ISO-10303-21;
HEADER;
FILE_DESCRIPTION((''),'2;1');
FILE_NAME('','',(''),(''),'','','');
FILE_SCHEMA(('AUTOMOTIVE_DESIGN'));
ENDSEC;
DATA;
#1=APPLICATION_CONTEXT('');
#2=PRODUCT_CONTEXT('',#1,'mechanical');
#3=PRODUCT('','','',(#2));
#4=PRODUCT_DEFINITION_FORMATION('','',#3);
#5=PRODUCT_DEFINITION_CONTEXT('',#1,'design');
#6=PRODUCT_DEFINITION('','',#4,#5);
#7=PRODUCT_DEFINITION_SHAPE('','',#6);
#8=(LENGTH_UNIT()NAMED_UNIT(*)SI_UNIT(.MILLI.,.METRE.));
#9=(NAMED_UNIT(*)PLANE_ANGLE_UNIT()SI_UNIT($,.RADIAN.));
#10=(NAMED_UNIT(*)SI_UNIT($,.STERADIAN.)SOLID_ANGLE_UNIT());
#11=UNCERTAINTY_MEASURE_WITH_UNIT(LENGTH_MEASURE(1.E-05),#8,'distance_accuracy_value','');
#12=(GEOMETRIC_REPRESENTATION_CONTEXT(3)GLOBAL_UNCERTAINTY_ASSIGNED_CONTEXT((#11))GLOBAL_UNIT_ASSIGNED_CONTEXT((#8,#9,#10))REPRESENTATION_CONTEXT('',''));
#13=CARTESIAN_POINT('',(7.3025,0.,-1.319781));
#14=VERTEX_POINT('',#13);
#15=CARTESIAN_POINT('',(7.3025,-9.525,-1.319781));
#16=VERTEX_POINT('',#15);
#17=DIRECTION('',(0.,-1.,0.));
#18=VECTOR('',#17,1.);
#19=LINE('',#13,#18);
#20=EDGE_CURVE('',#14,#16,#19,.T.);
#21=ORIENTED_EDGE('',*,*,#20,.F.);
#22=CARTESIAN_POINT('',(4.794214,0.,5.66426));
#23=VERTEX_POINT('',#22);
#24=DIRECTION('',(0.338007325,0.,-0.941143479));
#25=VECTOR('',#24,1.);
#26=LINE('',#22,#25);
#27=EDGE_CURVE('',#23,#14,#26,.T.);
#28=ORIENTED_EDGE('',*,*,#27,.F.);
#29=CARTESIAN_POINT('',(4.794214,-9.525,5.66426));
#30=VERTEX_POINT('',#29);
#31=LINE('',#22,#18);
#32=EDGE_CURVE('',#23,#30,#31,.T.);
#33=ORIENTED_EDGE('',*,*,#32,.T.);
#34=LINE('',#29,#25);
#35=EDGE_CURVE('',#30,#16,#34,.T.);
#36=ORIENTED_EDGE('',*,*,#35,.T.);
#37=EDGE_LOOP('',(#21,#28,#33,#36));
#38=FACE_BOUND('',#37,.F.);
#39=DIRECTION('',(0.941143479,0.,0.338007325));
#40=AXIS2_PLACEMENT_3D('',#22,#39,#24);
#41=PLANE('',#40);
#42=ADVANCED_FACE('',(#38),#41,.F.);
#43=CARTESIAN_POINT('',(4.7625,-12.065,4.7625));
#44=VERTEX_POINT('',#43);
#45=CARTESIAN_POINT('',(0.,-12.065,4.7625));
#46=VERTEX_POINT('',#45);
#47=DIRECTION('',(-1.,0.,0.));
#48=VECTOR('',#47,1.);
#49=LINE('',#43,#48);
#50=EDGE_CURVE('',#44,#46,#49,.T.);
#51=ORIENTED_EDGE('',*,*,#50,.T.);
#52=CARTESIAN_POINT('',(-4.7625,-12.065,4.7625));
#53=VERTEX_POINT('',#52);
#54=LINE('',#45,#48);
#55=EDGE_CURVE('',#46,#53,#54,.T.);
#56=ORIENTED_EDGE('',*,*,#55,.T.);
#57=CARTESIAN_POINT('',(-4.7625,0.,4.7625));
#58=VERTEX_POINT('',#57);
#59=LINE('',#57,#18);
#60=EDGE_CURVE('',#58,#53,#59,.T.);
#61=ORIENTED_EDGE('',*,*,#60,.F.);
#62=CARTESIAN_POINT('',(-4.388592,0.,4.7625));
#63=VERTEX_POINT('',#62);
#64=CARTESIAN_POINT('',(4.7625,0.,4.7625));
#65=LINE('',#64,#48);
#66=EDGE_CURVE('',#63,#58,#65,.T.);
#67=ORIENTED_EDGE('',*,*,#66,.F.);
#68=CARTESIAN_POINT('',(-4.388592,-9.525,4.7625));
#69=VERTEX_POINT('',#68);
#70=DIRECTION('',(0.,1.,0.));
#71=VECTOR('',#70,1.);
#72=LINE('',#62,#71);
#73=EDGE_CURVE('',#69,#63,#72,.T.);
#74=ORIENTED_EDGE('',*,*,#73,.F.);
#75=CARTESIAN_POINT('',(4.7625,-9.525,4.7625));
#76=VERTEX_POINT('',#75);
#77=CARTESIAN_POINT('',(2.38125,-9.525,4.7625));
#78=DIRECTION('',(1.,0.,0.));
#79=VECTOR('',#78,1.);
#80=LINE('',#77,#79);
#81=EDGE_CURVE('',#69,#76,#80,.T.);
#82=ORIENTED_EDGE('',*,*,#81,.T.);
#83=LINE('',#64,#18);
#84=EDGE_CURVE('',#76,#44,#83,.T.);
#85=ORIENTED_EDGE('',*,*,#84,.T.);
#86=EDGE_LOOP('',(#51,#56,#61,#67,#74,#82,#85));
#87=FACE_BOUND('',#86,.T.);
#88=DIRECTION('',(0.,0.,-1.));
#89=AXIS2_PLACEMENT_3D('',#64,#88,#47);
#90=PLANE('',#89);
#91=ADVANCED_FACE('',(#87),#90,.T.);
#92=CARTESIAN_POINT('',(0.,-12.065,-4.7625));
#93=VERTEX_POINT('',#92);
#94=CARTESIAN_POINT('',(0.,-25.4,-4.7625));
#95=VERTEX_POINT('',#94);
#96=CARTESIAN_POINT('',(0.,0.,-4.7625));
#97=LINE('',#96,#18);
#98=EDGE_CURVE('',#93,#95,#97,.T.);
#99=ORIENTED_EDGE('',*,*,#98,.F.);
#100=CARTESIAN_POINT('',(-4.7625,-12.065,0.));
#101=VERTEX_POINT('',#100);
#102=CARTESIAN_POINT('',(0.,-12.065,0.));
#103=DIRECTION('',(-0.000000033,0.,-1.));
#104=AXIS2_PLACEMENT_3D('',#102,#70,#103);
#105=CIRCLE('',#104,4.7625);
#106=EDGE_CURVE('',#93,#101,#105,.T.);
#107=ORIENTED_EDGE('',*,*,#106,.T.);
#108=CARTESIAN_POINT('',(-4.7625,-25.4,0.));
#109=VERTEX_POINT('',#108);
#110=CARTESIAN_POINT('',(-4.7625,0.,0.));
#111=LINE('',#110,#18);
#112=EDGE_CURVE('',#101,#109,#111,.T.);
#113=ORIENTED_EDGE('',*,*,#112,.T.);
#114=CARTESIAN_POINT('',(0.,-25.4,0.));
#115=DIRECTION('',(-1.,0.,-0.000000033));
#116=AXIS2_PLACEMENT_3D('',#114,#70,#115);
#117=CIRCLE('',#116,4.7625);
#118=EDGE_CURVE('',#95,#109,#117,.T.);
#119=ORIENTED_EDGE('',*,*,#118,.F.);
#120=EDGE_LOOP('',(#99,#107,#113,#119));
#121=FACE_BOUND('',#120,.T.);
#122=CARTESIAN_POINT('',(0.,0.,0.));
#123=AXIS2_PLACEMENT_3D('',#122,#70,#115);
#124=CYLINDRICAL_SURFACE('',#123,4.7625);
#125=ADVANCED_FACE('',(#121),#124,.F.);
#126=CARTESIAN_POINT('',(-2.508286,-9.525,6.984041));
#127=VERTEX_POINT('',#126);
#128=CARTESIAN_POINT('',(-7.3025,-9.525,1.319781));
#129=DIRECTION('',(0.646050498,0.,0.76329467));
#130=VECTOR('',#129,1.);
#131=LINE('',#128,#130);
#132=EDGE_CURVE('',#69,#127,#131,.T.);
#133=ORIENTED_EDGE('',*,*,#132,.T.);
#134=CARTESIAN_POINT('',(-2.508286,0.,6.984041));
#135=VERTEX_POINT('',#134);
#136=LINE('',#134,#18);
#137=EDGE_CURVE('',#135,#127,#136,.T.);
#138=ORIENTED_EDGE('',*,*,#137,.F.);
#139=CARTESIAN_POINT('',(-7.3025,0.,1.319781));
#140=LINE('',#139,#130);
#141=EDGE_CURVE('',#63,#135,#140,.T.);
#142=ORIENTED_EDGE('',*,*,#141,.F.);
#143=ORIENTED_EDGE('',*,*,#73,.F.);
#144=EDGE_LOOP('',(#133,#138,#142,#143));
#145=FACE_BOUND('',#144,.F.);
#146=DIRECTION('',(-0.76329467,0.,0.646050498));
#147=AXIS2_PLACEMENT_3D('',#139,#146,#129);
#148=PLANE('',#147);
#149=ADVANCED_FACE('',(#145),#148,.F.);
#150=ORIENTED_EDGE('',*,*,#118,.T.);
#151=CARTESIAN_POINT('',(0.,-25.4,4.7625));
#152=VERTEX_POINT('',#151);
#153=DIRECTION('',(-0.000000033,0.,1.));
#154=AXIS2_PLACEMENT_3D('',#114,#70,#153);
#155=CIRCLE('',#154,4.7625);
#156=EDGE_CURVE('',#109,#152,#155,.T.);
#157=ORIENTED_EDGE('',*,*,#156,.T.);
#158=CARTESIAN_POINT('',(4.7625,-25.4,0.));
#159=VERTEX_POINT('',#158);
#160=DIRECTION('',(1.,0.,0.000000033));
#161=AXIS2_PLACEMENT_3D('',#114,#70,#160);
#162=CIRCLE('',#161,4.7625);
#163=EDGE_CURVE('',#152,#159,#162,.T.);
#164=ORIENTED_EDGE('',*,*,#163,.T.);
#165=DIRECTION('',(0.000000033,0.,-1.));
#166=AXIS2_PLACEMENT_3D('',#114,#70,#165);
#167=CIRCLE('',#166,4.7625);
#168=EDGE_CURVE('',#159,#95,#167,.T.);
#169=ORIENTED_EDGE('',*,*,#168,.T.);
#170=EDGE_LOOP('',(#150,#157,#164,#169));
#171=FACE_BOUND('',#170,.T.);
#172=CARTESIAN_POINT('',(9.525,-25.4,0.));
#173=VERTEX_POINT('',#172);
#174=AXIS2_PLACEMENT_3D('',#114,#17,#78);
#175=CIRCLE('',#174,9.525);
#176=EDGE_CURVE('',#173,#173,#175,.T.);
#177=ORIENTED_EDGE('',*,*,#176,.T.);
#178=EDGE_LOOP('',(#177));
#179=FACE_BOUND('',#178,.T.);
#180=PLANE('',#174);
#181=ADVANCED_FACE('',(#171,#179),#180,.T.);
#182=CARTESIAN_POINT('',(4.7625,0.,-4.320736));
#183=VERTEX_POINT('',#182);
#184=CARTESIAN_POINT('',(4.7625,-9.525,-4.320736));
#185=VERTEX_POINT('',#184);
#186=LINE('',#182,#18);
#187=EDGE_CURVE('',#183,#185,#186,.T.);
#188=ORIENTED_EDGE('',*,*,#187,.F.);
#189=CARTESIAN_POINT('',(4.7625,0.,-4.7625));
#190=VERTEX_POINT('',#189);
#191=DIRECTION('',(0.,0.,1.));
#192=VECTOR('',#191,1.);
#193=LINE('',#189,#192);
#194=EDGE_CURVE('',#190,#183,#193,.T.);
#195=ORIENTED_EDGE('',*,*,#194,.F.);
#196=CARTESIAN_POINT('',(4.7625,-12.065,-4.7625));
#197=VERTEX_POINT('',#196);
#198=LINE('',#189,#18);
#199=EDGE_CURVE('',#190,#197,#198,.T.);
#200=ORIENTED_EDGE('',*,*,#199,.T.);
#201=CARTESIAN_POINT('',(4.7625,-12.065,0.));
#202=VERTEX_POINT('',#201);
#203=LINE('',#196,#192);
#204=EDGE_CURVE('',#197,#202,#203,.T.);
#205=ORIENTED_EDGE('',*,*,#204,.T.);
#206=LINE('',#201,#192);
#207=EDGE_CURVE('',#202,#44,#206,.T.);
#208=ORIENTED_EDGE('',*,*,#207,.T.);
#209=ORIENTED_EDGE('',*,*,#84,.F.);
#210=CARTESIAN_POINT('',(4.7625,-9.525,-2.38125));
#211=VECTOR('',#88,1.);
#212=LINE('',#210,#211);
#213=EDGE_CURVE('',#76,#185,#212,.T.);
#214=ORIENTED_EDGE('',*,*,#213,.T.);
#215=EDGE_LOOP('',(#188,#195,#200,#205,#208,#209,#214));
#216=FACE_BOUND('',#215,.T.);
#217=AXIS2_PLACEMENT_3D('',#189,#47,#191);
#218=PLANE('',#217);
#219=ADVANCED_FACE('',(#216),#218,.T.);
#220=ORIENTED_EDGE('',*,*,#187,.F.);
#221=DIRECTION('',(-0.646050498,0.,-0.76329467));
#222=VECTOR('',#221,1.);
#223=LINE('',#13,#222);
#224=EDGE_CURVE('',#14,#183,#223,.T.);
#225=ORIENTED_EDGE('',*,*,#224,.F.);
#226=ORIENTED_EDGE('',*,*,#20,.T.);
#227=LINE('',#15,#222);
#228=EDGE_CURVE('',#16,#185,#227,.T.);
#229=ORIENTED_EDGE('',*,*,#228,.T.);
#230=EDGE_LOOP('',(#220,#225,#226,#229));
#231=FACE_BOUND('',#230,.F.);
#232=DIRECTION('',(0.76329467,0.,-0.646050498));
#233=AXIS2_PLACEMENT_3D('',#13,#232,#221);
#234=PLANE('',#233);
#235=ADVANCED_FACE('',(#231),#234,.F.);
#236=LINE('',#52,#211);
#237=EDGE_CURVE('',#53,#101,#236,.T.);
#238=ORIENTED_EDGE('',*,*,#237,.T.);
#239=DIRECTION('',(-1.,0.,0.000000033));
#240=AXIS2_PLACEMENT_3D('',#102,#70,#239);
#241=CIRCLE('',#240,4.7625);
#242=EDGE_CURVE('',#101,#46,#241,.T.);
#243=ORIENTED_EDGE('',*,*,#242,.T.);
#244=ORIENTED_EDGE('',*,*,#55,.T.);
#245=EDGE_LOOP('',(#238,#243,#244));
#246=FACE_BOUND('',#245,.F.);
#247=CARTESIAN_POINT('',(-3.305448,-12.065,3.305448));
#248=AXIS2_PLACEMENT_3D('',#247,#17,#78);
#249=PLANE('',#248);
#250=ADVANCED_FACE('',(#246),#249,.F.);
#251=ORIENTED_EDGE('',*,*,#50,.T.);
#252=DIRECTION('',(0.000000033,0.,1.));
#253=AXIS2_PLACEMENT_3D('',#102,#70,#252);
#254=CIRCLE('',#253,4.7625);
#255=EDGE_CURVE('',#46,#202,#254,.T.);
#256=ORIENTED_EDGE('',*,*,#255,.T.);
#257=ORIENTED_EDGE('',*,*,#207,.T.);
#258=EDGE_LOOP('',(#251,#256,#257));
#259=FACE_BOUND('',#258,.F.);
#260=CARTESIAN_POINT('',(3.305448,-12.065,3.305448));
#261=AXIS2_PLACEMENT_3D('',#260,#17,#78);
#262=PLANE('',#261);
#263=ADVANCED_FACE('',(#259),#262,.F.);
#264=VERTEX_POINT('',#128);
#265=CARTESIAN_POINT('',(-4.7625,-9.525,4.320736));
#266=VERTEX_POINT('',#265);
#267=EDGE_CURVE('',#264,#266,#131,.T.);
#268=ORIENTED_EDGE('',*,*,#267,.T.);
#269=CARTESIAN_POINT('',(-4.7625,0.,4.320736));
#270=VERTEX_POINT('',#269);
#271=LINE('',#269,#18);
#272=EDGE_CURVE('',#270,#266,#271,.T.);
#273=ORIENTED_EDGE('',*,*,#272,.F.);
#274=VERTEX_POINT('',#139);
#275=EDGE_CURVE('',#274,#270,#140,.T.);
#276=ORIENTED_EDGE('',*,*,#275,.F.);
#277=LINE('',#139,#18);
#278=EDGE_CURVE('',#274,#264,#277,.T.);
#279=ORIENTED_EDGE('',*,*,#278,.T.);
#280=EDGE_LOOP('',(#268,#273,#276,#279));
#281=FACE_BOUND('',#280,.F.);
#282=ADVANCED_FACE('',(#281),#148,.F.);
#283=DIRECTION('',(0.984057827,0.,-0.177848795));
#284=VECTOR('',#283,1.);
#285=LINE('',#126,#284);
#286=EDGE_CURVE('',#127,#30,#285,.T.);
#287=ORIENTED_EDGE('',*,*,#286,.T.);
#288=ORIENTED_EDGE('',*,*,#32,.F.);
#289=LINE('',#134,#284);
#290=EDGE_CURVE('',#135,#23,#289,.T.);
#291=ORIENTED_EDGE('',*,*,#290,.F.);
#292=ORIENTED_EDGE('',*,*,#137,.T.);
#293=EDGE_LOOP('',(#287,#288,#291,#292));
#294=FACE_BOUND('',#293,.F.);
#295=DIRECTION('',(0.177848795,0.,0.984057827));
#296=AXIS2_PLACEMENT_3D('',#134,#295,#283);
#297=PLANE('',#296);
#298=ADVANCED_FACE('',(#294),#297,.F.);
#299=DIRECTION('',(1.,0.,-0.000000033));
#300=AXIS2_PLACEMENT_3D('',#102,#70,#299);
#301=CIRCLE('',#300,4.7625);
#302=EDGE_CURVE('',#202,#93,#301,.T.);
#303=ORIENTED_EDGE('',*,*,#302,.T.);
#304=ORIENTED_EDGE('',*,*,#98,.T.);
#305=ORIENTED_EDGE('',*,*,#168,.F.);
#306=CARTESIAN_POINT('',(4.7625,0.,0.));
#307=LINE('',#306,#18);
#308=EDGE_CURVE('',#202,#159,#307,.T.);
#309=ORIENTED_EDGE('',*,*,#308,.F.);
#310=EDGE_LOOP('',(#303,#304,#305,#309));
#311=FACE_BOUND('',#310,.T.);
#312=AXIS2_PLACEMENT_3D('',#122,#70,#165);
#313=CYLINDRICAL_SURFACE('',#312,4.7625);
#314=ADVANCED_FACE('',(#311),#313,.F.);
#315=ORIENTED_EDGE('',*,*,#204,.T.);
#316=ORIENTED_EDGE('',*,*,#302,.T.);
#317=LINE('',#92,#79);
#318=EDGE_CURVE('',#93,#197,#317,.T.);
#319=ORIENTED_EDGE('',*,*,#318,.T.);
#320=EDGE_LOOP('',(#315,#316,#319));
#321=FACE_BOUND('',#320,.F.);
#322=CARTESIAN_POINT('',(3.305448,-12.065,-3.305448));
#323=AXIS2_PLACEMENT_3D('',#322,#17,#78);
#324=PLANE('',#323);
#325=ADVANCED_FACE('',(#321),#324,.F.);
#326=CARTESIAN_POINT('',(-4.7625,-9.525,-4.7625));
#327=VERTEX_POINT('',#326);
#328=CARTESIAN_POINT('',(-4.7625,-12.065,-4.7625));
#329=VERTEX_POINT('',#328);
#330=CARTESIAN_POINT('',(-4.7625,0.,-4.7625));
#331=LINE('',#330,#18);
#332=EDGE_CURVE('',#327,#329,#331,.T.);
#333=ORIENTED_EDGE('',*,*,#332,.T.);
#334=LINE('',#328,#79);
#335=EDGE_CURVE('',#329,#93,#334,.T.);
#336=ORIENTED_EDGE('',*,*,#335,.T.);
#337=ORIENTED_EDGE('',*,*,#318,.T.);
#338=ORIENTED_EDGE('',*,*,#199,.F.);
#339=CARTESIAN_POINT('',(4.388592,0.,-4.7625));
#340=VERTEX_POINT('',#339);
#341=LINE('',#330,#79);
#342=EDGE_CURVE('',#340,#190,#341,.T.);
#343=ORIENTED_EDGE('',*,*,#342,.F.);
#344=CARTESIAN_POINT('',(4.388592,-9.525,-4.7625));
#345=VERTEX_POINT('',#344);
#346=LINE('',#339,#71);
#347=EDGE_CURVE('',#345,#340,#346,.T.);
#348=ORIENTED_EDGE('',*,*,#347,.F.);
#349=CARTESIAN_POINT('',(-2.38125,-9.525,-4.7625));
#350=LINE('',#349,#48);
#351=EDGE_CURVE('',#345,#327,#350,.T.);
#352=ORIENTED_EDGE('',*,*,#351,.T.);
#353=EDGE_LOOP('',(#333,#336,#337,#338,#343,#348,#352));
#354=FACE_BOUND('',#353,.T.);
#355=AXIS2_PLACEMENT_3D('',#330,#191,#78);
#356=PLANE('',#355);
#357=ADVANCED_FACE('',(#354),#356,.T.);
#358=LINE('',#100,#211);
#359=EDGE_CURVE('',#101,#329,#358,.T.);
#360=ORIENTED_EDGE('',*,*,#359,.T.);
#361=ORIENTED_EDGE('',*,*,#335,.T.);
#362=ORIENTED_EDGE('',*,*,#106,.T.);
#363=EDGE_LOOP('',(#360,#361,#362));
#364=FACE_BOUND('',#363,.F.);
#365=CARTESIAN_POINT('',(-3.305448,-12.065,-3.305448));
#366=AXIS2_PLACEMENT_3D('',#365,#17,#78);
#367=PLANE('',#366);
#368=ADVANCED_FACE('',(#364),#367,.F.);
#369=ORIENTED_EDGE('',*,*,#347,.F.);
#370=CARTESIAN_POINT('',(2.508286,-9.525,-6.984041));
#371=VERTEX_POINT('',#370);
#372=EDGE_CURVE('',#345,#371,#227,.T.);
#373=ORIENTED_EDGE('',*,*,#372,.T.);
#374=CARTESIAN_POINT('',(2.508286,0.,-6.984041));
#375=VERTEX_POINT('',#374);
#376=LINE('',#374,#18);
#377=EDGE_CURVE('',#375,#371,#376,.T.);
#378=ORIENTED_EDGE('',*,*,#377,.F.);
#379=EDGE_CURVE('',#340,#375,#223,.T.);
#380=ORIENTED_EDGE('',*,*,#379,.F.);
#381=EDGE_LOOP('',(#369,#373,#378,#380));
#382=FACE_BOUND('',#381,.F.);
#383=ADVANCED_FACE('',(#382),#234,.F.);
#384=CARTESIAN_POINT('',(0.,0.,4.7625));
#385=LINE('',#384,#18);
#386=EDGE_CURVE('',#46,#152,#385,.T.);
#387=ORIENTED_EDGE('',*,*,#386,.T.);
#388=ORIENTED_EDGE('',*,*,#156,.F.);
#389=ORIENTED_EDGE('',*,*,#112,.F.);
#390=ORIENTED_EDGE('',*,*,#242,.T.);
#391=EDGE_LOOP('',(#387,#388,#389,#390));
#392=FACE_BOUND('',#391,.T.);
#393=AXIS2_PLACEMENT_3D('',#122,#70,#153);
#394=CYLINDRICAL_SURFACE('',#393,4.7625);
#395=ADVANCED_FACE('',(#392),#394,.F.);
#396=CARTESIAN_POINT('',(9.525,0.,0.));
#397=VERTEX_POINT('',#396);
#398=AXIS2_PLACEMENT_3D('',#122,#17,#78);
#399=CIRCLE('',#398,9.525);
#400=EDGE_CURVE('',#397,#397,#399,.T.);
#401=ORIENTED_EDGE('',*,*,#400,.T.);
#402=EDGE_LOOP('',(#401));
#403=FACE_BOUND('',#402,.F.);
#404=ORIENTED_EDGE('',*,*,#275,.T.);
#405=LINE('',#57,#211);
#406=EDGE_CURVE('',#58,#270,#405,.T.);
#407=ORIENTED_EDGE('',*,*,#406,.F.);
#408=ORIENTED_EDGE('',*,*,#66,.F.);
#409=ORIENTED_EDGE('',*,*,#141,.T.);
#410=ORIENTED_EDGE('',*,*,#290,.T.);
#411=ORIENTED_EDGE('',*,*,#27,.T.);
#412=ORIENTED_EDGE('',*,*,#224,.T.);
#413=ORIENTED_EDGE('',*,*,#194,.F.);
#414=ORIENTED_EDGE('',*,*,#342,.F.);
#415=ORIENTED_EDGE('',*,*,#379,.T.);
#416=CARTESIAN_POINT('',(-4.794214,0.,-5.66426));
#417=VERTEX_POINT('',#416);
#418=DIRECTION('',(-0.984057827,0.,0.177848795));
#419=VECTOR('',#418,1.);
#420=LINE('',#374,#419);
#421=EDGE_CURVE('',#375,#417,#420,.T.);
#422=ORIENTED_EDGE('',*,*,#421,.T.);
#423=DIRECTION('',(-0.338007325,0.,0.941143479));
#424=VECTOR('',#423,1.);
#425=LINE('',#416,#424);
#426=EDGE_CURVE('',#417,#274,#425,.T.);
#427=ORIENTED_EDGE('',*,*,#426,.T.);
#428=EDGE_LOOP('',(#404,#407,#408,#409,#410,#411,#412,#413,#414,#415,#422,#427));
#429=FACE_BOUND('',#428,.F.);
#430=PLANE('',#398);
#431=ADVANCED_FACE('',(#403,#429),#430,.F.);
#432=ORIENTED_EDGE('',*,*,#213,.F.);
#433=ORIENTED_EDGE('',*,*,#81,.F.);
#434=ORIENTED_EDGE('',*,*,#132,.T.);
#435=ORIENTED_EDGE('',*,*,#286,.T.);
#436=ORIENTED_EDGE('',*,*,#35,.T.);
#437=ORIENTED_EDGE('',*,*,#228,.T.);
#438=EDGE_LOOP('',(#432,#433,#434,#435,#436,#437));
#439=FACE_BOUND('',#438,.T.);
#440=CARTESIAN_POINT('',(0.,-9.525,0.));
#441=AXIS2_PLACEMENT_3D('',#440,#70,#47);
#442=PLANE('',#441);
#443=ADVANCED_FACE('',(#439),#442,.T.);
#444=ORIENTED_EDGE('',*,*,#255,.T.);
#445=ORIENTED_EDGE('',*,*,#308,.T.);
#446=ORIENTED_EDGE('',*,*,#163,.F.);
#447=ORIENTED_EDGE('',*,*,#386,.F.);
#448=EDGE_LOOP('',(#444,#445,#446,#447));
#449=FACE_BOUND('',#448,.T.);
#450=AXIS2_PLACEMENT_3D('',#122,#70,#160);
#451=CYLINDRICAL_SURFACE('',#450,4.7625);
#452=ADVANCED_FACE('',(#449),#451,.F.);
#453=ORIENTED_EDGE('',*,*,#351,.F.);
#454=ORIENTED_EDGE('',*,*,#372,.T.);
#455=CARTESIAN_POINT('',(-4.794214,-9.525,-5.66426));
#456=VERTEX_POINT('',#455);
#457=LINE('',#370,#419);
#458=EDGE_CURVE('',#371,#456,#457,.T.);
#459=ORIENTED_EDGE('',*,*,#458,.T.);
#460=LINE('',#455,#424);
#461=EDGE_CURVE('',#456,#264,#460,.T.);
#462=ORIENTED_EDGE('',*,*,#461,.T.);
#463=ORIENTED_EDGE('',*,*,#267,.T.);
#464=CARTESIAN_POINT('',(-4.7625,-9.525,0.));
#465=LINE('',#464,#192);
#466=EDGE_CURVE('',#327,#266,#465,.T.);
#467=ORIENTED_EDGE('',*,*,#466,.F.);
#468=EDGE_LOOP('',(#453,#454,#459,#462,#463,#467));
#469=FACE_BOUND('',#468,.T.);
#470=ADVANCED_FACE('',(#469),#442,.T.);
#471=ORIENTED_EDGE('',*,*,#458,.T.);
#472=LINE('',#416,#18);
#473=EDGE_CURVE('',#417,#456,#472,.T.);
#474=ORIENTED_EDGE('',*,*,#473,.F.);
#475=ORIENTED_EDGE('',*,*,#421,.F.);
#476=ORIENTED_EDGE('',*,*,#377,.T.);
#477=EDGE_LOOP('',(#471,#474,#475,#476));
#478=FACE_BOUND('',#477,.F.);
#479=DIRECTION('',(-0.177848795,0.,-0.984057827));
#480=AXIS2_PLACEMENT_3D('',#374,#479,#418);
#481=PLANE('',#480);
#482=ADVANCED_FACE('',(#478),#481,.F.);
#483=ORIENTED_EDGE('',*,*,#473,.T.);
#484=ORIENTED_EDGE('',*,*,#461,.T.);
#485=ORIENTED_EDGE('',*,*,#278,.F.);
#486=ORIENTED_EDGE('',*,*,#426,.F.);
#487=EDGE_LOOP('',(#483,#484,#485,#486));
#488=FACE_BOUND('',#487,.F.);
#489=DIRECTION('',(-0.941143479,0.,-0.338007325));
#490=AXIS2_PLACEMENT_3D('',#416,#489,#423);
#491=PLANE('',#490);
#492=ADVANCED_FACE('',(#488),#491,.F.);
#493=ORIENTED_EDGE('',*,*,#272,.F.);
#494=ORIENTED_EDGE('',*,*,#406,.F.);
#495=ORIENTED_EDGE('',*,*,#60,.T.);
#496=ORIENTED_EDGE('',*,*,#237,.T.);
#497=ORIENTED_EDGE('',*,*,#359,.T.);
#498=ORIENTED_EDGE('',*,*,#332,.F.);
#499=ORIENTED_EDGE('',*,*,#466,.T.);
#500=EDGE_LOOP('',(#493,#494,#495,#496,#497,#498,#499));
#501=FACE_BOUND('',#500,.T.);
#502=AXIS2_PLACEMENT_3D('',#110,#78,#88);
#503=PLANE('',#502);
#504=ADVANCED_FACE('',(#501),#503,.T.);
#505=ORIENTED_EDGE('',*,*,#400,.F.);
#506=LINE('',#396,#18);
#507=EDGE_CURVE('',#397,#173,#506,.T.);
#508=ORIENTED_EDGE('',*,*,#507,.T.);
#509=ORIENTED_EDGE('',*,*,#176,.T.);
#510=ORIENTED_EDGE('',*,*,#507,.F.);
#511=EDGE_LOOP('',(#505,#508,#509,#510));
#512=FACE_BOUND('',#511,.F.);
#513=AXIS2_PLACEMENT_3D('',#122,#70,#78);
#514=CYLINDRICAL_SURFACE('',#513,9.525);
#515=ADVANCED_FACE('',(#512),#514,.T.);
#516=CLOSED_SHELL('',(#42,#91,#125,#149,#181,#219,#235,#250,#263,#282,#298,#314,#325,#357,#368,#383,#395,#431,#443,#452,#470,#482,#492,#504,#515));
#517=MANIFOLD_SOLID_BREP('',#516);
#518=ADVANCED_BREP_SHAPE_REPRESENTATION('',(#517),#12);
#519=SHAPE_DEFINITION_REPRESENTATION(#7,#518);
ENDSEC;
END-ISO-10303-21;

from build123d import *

# Parameters (mm, degrees)
F0_R     = 9.525
F1_DEPTH = 25.4
F3_DEPTH = 25.401
F4_DEPTH = 12.065
F6_DEPTH = 9.525


with BuildPart() as f1:
    # F0 (on Front) → F1 (new body)
    with BuildSketch(Plane.XZ):
        Circle(F0_R)
    extrude(amount=F1_DEPTH)

    # F2 (on Front) → F3 (cut, through all)
    with BuildSketch(Plane.XZ):
        with BuildLine():
            ThreePointArc((-4.7625, 0), (-3.367596, -3.367596), (0, -4.7625))
            ThreePointArc((0, -4.7625), (3.367596, -3.367596), (4.7625, 0))
            ThreePointArc((4.7625, 0), (3.367596, 3.367596), (0, 4.7625))
            ThreePointArc((0, 4.7625), (-3.367596, 3.367596), (-4.7625, 0))
        make_face()
    extrude(amount=F3_DEPTH, mode=Mode.SUBTRACT)

    # F2 (on Front) → F4 (cut)
    with BuildSketch(Plane.XZ):
        with BuildLine():
            Line((0, -4.7625), (4.7625, -4.7625))
            Line((4.7625, -4.7625), (4.7625, 0))
            ThreePointArc((4.7625, 0), (3.367596, -3.367596), (0, -4.7625))
        make_face()
        with BuildLine():
            Line((-4.7625, -4.7625), (0, -4.7625))
            ThreePointArc((0, -4.7625), (-3.367596, -3.367596), (-4.7625, 0))
            Line((-4.7625, 0), (-4.7625, -4.7625))
        make_face()
        with BuildLine():
            ThreePointArc((0, 4.7625), (3.367596, 3.367596), (4.7625, 0))
            Line((4.7625, 0), (4.7625, 4.7625))
            Line((4.7625, 4.7625), (0, 4.7625))
        make_face()
        with BuildLine():
            Line((-4.7625, 4.7625), (-4.7625, 0))
            ThreePointArc((-4.7625, 0), (-3.367596, 3.367596), (0, 4.7625))
            Line((0, 4.7625), (-4.7625, 4.7625))
        make_face()
    extrude(amount=F4_DEPTH, mode=Mode.SUBTRACT)

    # F5 (on face) → F6 (cut)
    with BuildSketch(Plane(origin=(0, 0, 0), x_dir=(-1, 0, 0), z_dir=(0, 1, 0))):
        Polygon((4.794214, -5.66426), (7.3025, 1.319781), (2.508286, 6.984041), (-4.794214, 5.66426), (-7.3025, -1.319781), (-2.508286, -6.984041), align=None)
    extrude(amount=-F6_DEPTH, mode=Mode.SUBTRACT)


solid = f1.part
